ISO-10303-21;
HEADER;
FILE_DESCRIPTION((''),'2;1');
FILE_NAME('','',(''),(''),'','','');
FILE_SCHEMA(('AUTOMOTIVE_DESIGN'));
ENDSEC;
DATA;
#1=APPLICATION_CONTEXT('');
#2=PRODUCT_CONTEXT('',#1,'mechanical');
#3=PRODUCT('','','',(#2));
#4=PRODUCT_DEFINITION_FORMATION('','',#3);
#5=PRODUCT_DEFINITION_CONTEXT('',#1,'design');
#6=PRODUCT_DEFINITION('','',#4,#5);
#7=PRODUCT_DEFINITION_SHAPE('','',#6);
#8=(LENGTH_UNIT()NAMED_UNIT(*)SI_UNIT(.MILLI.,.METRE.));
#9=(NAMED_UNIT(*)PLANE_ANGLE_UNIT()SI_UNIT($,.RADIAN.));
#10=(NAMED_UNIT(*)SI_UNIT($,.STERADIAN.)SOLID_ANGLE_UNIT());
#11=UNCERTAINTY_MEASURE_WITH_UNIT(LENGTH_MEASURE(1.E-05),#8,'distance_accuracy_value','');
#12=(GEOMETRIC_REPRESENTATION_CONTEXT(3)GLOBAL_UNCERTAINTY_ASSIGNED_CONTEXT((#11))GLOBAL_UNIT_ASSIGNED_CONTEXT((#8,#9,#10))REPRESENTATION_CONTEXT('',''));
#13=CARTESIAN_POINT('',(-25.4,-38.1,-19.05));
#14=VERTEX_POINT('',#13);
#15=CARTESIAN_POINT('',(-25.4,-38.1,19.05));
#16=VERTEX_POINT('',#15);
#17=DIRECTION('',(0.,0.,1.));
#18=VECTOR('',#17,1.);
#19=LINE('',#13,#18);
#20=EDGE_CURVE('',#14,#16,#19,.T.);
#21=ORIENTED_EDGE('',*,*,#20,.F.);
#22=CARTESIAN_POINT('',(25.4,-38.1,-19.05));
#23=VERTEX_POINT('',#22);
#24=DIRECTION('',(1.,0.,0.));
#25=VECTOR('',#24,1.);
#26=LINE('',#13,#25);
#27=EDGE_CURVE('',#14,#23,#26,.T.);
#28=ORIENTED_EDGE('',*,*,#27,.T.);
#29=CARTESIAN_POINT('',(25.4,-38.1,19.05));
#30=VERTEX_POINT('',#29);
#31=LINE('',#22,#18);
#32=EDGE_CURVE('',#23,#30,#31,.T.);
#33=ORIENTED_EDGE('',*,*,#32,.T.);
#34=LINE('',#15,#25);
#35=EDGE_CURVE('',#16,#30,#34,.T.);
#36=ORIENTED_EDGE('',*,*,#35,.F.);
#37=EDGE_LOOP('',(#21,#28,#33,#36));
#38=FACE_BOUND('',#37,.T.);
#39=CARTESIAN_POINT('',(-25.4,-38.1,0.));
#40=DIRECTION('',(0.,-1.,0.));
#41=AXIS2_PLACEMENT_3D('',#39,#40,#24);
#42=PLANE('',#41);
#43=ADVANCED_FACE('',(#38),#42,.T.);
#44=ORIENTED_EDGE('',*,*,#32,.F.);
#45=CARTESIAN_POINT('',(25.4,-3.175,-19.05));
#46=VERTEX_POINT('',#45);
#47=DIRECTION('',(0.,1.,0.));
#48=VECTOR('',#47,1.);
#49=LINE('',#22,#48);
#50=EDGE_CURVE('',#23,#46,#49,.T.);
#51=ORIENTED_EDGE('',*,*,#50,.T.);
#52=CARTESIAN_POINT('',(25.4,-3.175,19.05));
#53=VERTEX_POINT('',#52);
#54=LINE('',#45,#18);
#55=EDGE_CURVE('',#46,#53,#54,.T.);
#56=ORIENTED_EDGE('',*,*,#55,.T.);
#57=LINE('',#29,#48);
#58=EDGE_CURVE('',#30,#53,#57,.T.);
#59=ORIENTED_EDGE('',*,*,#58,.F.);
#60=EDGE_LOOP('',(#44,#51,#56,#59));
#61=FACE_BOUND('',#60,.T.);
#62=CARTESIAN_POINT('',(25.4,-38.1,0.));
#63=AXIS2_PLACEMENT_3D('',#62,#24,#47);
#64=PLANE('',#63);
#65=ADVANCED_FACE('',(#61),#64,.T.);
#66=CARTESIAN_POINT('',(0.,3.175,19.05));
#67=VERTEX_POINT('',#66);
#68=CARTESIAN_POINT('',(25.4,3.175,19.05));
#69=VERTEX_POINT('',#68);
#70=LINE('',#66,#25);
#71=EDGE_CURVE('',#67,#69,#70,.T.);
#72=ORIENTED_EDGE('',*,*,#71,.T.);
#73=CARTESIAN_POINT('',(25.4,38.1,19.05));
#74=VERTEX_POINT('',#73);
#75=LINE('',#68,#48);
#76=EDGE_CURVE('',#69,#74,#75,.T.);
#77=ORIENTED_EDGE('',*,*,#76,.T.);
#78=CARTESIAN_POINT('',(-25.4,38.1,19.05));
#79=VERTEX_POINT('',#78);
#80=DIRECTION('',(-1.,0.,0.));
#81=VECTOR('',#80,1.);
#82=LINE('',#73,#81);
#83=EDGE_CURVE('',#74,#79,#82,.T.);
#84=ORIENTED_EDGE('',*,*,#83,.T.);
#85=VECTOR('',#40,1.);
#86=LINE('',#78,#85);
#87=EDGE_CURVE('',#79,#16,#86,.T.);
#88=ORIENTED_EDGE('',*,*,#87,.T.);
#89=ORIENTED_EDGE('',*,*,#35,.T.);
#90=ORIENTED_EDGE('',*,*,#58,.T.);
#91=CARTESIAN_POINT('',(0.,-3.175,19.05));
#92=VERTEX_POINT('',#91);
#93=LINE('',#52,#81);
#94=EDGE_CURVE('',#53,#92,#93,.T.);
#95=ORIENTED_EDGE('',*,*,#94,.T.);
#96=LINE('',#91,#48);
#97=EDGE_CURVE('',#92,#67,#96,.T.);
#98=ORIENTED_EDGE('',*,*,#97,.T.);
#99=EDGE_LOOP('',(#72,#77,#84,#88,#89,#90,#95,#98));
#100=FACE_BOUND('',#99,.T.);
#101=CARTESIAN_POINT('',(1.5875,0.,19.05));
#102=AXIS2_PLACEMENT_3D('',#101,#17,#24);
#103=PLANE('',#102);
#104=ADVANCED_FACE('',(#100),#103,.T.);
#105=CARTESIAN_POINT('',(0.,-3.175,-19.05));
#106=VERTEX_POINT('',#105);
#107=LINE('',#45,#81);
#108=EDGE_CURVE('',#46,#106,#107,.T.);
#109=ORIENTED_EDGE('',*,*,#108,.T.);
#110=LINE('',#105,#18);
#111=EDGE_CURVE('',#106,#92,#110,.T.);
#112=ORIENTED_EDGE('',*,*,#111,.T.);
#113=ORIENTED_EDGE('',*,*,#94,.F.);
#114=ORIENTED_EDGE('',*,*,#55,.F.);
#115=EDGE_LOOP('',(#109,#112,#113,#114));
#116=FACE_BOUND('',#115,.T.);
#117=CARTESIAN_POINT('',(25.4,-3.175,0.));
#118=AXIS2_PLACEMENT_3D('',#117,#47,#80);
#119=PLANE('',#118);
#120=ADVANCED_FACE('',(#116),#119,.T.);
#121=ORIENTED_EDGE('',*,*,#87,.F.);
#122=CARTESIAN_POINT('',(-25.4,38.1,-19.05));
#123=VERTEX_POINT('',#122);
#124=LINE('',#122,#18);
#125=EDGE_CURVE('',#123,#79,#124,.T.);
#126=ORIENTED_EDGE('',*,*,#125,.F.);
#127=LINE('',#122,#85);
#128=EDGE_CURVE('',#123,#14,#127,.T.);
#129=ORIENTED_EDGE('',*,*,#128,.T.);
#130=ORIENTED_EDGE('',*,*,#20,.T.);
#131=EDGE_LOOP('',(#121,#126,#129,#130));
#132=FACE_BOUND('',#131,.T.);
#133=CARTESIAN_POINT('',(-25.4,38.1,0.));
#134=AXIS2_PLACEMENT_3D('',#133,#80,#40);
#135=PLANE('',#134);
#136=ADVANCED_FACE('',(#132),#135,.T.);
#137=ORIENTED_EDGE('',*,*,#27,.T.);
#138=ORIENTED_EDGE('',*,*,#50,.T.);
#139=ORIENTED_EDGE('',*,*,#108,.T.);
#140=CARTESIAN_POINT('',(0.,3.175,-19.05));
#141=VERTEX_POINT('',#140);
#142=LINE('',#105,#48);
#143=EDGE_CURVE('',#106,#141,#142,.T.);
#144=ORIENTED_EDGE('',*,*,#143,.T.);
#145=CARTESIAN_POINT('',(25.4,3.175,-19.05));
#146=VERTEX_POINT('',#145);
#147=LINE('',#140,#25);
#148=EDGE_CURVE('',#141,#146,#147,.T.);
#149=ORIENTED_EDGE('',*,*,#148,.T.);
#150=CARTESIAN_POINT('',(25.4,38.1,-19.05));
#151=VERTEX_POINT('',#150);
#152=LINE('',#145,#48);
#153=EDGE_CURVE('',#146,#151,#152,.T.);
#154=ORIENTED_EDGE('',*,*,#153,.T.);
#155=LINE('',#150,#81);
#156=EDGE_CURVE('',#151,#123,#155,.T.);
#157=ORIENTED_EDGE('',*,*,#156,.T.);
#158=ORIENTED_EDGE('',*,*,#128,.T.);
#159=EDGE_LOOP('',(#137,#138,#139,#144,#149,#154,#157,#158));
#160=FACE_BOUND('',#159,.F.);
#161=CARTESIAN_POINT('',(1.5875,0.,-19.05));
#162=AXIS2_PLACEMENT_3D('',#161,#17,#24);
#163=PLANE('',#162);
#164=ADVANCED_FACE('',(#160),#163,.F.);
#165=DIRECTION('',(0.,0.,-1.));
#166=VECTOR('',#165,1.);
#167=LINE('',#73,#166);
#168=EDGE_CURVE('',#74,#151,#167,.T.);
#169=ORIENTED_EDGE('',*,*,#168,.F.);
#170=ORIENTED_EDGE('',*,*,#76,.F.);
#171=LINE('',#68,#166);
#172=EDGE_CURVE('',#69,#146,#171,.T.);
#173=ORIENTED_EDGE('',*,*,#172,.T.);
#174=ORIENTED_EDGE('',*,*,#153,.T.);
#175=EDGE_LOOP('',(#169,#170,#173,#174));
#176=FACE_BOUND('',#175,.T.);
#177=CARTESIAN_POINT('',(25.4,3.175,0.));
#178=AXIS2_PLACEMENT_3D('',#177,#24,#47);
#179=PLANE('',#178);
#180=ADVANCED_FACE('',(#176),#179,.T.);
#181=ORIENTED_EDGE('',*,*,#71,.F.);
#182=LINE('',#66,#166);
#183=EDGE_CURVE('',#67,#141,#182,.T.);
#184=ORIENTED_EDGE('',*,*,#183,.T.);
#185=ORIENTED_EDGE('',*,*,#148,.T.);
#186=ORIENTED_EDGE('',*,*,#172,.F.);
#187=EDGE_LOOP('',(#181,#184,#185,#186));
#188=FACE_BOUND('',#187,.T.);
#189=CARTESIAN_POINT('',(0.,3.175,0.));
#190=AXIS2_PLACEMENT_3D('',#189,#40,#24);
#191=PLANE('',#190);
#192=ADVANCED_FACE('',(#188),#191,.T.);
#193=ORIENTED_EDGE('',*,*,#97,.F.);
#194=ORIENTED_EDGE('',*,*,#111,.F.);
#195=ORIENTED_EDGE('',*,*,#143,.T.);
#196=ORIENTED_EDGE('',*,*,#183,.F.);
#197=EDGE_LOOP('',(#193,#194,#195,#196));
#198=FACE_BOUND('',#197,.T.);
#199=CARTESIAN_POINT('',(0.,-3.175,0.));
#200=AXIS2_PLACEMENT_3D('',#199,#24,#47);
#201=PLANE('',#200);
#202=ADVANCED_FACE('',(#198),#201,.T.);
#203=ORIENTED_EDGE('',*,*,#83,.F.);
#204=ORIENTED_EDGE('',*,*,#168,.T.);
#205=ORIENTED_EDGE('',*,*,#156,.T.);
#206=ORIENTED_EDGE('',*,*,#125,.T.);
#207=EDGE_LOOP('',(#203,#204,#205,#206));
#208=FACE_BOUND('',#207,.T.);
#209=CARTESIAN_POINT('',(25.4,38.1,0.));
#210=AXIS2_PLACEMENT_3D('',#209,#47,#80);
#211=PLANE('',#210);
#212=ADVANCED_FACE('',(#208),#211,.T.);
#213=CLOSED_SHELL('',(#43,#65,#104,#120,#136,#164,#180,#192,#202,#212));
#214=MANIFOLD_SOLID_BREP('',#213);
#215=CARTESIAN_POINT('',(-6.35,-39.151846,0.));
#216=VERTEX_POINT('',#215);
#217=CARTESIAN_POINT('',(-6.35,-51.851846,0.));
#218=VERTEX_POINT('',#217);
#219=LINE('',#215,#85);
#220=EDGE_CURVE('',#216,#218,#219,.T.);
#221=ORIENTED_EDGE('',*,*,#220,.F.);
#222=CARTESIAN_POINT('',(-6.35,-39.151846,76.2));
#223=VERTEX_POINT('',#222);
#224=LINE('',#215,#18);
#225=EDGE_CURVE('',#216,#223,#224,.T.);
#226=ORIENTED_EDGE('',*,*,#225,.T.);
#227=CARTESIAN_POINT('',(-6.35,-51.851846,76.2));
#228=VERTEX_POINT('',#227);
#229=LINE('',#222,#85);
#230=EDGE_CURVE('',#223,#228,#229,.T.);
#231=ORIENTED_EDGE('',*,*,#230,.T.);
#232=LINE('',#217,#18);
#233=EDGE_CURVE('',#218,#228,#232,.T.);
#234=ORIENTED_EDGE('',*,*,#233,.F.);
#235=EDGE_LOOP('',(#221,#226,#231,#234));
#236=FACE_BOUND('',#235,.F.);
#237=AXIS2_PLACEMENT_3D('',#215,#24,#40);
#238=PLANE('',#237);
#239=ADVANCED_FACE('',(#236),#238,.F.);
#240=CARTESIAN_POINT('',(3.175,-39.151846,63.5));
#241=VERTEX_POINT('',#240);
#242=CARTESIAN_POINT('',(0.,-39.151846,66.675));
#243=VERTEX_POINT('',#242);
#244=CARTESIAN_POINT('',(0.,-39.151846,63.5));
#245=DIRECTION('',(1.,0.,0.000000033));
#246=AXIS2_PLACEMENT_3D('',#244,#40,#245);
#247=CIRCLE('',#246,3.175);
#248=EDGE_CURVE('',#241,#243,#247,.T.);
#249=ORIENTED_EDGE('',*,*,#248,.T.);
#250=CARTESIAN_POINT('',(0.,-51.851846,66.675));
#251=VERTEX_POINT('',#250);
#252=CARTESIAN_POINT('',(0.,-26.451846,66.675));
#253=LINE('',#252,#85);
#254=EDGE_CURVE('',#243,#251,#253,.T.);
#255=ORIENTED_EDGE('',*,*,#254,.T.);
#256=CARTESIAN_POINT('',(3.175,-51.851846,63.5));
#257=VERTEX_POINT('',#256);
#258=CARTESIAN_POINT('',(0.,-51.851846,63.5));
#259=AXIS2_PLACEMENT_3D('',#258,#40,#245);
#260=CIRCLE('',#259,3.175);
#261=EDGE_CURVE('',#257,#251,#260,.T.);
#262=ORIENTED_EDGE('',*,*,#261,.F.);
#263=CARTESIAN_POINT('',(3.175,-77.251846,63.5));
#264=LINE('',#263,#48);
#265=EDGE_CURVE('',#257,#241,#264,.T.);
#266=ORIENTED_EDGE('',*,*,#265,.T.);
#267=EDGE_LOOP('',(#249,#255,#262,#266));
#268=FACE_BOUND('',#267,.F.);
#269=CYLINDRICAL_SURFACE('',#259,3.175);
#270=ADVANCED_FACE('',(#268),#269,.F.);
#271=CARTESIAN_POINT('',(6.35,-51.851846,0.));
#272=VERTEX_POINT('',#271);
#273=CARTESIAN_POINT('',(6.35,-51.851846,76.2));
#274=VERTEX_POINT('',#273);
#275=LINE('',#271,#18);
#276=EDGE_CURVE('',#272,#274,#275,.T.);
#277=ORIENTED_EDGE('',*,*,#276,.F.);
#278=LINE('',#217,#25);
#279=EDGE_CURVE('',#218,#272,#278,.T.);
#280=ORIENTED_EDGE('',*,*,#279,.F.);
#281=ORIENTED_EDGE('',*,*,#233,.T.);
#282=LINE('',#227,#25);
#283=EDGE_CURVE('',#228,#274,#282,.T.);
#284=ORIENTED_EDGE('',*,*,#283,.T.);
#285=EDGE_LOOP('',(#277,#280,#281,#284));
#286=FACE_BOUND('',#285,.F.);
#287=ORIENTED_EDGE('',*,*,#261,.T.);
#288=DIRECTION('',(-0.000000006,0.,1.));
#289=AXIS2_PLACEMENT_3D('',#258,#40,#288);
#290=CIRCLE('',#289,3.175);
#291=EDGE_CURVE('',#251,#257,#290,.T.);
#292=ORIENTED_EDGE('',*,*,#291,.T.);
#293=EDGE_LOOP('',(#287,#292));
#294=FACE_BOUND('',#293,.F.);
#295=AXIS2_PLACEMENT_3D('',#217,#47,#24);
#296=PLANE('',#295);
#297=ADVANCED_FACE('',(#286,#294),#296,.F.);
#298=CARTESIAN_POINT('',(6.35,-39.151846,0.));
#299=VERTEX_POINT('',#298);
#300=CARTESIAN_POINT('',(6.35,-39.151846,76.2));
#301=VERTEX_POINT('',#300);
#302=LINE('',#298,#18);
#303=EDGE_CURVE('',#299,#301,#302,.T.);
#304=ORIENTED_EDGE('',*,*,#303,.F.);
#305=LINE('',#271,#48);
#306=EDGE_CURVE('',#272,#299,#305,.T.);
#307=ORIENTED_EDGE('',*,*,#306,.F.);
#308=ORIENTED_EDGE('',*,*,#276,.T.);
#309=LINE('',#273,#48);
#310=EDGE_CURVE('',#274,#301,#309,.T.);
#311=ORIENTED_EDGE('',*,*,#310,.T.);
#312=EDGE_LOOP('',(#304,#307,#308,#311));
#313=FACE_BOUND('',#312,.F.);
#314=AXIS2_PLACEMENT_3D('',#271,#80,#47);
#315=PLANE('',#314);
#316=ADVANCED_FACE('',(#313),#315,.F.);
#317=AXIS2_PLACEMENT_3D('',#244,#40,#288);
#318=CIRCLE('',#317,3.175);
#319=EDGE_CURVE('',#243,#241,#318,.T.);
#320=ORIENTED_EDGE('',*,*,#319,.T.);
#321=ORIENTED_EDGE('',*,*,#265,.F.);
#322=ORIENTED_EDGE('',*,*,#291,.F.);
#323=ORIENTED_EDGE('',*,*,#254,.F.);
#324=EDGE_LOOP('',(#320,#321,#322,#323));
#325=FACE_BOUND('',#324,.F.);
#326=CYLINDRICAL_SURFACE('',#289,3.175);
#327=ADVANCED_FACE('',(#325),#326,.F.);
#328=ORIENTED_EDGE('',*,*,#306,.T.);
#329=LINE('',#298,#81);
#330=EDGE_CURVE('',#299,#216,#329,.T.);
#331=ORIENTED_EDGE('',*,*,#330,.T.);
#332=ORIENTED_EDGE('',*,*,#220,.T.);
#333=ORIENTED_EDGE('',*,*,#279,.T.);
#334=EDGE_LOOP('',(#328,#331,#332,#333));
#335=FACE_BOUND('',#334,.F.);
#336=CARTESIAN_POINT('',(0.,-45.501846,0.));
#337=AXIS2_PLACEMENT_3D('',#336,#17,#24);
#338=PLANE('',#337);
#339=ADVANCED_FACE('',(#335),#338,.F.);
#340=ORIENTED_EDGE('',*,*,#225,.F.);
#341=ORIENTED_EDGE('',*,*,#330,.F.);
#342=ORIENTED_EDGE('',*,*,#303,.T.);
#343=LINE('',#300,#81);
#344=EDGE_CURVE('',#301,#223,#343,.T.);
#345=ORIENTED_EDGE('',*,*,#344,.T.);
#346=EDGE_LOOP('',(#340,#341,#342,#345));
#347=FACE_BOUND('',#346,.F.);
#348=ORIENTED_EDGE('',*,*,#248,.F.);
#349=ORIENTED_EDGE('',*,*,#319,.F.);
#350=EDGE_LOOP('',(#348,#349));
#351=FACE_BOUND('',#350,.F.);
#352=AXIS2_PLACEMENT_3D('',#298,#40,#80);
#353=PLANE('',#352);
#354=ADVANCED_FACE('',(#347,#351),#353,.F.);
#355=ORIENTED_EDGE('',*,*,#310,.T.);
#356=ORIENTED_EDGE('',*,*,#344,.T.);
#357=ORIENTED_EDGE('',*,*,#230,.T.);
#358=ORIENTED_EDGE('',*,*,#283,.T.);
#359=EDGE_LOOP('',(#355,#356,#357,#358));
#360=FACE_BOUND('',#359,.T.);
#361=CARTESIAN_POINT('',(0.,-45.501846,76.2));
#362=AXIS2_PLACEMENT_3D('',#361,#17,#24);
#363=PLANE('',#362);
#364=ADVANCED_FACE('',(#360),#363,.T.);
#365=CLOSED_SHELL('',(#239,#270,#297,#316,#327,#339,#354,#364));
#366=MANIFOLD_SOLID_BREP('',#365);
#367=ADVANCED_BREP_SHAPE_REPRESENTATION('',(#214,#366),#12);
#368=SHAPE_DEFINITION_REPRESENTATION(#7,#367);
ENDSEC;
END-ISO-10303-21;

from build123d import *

# Parameters (mm, degrees)
F2_DEPTH = 19.05
F3_DEPTH = 76.2
F5_DEPTH = 25.4


with BuildPart() as f2:
    # F0 (on Top) → F2 (new body, symmetric)
    with BuildSketch(Plane.XY):
        Polygon((25.4, 38.1), (-25.4, 38.1), (-25.4, -38.1), (25.4, -38.1), (25.4, -3.175), (0, -3.175), (0, 0), (0, 3.175), (25.4, 3.175), align=None)
    extrude(amount=F2_DEPTH, both=True)


with BuildPart() as f3:
    # F1 (on Top) → F3 (new body)
    with BuildSketch(Plane.XY):
        Polygon((6.35, -39.151846), (0, -39.151846), (-6.35, -39.151846), (-6.35, -51.851846), (6.35, -51.851846), align=None)
    extrude(amount=F3_DEPTH)

    # F4 (on face) → F5 (cut, symmetric)
    with BuildSketch(Plane.XZ.offset(51.851846)):
        with BuildLine():
            ThreePointArc((3.175, 63.5), (2.245064, 65.745064), (0, 66.675))
            ThreePointArc((0, 66.675), (-2.245064, 61.254936), (3.175, 63.5))
        make_face()
    extrude(amount=F5_DEPTH, both=True, mode=Mode.SUBTRACT)


solid = Compound([f2.part, f3.part])
